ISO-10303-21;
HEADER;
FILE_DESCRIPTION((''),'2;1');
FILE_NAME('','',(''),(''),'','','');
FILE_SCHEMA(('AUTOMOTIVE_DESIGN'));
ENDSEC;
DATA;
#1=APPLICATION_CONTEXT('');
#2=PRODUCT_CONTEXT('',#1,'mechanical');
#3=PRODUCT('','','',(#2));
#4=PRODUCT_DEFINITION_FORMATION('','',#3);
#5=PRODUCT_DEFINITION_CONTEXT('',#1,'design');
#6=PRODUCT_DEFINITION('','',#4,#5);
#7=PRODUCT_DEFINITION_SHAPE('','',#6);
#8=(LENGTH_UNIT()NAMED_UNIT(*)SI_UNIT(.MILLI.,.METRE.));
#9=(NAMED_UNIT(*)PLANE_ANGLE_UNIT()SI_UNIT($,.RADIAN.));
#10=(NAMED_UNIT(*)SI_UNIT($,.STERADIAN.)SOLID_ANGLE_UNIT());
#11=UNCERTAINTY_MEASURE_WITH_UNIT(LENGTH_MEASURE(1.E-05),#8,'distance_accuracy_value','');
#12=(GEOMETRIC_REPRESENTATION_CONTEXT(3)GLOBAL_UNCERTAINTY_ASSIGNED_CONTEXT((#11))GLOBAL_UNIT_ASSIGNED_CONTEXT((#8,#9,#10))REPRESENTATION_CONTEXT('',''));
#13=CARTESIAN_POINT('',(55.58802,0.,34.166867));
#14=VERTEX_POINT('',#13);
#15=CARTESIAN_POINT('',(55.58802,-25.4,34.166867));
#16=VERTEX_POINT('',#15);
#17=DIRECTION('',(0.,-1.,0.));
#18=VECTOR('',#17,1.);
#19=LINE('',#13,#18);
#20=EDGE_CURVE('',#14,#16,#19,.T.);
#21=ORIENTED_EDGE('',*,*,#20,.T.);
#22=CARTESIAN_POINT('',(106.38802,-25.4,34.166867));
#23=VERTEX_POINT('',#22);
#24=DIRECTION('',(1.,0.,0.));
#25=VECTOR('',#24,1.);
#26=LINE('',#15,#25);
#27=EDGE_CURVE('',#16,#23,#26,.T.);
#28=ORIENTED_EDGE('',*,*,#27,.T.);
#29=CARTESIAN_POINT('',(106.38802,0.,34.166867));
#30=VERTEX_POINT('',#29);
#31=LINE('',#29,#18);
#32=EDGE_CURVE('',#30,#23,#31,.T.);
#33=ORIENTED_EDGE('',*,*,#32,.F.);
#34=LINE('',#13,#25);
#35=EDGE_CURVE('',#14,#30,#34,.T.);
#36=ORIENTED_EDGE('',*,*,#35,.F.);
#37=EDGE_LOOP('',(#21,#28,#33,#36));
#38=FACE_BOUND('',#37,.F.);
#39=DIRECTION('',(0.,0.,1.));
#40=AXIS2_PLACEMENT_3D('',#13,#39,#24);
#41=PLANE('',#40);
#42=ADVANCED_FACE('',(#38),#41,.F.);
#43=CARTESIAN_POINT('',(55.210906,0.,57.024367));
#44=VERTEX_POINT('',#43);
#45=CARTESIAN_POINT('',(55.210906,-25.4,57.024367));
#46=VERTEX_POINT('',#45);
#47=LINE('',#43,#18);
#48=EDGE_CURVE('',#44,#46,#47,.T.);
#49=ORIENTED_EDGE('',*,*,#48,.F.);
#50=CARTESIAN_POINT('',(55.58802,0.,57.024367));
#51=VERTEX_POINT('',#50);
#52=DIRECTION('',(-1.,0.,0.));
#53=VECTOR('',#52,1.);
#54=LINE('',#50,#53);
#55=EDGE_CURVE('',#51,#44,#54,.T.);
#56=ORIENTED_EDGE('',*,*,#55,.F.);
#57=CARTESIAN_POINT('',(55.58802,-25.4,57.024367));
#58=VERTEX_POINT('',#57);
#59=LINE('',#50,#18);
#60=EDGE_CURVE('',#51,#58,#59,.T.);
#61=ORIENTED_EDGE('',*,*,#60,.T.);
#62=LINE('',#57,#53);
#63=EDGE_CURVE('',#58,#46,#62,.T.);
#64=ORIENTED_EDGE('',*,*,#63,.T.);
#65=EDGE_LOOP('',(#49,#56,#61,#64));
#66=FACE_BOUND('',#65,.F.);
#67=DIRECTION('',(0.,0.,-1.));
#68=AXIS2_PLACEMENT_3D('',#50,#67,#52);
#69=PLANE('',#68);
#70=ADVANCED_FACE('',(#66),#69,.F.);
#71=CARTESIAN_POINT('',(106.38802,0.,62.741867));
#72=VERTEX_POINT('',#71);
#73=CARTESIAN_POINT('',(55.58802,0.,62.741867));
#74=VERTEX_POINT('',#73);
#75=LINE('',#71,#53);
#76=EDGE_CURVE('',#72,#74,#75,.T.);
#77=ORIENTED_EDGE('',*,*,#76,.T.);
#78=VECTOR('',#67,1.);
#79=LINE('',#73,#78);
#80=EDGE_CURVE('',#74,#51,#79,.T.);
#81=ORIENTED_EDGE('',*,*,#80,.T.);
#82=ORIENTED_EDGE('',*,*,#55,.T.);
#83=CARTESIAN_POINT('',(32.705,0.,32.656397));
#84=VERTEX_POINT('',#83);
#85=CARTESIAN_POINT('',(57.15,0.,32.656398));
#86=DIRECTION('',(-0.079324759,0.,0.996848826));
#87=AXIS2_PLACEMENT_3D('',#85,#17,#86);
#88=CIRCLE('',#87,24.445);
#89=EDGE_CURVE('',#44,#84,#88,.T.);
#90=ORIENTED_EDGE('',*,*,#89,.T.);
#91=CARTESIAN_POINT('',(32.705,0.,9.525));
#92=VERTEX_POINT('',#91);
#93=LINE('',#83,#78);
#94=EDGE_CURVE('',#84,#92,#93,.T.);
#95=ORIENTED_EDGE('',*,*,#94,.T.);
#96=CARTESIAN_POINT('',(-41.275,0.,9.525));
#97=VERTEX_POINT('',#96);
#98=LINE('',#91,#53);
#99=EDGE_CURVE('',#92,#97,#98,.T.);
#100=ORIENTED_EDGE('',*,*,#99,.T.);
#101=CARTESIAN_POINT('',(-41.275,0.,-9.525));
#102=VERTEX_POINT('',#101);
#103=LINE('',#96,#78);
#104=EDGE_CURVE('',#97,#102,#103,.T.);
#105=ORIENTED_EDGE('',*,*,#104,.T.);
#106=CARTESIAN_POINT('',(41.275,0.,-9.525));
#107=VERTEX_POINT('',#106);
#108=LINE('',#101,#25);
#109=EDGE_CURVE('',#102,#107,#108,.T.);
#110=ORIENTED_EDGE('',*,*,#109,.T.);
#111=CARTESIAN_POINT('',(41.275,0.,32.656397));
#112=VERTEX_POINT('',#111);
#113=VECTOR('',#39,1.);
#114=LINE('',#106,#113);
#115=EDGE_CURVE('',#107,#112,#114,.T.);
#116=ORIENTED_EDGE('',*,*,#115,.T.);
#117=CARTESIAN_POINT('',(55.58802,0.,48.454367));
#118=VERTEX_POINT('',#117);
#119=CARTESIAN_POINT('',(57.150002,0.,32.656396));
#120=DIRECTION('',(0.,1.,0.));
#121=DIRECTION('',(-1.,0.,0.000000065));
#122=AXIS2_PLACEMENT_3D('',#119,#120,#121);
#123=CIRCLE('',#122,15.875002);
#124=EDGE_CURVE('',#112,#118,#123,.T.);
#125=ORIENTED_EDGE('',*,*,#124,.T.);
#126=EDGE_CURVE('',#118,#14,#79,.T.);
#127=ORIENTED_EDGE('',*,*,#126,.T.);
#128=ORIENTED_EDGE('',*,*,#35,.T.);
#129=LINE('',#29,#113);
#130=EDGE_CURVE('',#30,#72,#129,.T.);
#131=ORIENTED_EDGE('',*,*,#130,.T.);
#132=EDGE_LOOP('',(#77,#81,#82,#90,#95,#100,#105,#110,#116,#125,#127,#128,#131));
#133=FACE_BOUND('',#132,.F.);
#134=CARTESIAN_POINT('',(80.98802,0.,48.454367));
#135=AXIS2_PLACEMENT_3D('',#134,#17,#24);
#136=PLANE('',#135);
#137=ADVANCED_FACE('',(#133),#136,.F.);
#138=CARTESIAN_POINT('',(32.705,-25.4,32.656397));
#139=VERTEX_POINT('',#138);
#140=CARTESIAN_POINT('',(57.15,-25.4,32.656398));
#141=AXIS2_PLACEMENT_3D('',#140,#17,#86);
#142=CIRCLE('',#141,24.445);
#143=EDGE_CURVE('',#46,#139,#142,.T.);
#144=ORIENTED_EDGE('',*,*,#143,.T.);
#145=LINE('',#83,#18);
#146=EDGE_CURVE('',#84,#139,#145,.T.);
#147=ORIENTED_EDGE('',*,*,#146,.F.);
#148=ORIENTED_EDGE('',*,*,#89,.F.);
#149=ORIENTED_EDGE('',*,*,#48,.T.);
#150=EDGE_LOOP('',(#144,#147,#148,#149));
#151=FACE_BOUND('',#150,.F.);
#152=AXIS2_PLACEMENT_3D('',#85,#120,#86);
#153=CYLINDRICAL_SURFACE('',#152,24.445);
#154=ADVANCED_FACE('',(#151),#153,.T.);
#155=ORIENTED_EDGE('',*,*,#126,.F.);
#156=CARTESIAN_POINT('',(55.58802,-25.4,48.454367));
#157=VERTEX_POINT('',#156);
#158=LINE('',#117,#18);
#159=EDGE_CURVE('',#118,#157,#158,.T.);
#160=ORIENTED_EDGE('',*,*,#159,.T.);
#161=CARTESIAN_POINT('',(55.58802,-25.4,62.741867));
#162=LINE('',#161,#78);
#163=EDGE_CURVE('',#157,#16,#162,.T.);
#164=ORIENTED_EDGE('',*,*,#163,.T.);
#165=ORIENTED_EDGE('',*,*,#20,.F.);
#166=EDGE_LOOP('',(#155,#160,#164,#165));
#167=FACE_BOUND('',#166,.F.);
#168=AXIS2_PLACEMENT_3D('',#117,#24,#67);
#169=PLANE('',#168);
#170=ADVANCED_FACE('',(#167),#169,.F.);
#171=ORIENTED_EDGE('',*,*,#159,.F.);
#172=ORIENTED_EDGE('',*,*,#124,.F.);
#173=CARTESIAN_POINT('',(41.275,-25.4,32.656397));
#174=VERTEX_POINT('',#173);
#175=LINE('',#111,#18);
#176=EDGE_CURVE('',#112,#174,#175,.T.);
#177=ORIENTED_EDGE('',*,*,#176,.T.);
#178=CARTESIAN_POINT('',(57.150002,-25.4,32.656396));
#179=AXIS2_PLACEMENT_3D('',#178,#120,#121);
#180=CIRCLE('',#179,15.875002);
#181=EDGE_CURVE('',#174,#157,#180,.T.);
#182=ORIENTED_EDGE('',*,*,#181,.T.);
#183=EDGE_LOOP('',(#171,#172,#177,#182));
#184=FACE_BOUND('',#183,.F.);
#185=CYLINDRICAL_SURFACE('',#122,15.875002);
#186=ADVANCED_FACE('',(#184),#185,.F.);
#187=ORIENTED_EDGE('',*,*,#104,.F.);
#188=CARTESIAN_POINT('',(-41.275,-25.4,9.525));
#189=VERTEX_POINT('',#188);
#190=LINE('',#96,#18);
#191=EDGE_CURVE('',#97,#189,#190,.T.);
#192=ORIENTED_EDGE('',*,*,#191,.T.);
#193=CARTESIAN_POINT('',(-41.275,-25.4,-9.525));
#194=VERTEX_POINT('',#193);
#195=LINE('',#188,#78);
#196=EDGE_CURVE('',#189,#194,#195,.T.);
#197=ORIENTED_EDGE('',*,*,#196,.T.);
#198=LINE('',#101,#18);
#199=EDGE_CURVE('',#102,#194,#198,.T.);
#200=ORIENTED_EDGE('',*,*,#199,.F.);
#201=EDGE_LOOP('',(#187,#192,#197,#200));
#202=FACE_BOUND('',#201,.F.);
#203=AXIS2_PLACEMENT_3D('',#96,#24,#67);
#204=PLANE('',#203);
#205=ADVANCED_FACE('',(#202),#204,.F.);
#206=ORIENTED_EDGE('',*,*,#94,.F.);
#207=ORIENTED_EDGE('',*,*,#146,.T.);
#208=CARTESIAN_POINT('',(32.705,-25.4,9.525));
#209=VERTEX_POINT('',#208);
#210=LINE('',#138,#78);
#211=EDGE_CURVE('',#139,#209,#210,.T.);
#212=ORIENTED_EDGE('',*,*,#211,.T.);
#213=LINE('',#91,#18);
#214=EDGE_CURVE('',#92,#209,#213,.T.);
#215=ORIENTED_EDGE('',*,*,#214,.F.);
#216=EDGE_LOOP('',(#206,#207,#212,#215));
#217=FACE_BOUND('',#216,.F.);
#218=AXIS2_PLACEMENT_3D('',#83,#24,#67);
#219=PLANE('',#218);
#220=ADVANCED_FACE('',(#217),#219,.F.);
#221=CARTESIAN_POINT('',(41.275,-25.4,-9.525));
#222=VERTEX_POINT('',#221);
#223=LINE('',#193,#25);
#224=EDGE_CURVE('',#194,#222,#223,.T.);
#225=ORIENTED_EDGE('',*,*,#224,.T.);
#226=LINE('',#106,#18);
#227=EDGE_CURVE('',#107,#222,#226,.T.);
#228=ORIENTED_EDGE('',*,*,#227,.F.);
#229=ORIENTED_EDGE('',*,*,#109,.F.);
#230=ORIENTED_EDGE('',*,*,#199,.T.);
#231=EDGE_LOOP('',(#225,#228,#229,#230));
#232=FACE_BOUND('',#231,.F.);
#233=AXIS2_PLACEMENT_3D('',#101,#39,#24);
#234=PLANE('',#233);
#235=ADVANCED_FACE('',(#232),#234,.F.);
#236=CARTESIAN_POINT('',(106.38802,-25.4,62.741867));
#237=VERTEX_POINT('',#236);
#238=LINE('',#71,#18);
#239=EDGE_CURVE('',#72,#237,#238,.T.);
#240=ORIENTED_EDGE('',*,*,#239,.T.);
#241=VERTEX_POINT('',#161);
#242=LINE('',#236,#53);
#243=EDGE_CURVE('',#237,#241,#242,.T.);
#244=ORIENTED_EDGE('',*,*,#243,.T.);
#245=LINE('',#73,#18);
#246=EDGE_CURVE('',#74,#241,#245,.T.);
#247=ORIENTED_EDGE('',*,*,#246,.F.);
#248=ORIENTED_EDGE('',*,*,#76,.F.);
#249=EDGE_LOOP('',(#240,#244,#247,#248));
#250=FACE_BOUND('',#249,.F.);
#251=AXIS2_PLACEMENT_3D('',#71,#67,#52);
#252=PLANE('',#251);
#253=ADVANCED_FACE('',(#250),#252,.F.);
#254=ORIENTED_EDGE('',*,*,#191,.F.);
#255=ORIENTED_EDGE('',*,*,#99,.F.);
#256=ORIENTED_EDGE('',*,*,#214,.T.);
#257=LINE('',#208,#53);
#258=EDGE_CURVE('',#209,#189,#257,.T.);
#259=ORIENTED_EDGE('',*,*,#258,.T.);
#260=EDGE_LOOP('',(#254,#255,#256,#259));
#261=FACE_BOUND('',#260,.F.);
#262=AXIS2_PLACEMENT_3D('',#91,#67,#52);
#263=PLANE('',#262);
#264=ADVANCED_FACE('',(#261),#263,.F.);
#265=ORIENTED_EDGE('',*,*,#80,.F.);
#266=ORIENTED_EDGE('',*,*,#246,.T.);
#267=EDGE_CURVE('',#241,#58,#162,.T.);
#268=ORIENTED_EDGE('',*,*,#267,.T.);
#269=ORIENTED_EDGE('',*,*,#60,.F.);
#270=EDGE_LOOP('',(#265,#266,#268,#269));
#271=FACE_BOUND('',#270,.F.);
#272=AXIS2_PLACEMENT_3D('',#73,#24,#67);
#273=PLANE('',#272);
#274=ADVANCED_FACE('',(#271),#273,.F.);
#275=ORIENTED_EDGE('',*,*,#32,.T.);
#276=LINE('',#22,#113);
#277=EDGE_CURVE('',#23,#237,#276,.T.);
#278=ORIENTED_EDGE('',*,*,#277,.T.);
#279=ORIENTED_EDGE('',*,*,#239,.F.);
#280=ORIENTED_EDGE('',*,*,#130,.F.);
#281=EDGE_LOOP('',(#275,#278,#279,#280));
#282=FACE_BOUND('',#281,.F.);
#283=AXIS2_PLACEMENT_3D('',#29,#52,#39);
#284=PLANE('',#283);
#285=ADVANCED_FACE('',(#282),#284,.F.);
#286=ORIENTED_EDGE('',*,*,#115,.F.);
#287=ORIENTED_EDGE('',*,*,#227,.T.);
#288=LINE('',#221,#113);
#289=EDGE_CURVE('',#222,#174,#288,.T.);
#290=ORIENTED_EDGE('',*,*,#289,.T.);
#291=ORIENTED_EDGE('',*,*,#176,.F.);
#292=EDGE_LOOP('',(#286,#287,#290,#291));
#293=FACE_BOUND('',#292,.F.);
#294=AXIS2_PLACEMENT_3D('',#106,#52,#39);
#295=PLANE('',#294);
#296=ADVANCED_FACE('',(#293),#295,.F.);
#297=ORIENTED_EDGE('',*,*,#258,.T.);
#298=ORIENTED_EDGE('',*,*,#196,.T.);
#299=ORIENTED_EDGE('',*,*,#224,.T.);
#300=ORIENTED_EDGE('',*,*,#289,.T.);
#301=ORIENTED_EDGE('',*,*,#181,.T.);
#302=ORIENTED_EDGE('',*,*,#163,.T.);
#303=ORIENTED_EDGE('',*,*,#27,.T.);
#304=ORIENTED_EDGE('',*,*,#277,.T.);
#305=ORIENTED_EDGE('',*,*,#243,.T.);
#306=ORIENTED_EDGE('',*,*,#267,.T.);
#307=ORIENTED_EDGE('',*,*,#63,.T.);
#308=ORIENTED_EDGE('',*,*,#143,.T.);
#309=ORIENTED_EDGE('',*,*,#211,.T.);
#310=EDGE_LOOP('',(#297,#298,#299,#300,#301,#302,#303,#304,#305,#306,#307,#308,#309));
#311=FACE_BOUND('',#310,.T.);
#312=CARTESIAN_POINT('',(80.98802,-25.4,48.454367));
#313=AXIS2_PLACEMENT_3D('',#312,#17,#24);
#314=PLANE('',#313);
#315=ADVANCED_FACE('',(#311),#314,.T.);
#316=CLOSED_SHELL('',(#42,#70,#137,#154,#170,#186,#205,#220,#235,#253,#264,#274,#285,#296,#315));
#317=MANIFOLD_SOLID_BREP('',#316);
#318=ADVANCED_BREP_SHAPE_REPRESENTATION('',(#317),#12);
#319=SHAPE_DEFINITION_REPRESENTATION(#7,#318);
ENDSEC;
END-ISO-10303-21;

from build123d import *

# Parameters (mm, degrees)
F1_DEPTH = 25.4


with BuildPart() as f1:
    # F0 (on Front) → F1 (new body)
    with BuildSketch(Plane.XZ):
        Polygon((55.58802, 57.024367), (55.58802, 48.454367), (55.58802, 34.166867), (106.38802, 34.166867), (106.38802, 62.741867), (55.58802, 62.741867), align=None)
        with BuildLine():
            Line((32.705, 9.525), (41.275, 9.525))
            Line((41.275, 9.525), (41.275, 32.656397))
            ThreePointArc((41.275, 32.656397), (45.385391, 43.315177), (55.58802, 48.454367))
            Line((55.58802, 48.454367), (55.58802, 57.024367))
            Line((55.58802, 57.024367), (55.210906, 57.024367))
            ThreePointArc((55.210906, 57.024367), (39.192283, 49.241886), (32.705, 32.656397))
            Line((32.705, 32.656397), (32.705, 9.525))
        make_face()
        Polygon((41.275, -9.525), (41.275, 9.525), (32.705, 9.525), (-41.275, 9.525), (-41.275, -9.525), align=None)
    extrude(amount=F1_DEPTH)


solid = f1.part
